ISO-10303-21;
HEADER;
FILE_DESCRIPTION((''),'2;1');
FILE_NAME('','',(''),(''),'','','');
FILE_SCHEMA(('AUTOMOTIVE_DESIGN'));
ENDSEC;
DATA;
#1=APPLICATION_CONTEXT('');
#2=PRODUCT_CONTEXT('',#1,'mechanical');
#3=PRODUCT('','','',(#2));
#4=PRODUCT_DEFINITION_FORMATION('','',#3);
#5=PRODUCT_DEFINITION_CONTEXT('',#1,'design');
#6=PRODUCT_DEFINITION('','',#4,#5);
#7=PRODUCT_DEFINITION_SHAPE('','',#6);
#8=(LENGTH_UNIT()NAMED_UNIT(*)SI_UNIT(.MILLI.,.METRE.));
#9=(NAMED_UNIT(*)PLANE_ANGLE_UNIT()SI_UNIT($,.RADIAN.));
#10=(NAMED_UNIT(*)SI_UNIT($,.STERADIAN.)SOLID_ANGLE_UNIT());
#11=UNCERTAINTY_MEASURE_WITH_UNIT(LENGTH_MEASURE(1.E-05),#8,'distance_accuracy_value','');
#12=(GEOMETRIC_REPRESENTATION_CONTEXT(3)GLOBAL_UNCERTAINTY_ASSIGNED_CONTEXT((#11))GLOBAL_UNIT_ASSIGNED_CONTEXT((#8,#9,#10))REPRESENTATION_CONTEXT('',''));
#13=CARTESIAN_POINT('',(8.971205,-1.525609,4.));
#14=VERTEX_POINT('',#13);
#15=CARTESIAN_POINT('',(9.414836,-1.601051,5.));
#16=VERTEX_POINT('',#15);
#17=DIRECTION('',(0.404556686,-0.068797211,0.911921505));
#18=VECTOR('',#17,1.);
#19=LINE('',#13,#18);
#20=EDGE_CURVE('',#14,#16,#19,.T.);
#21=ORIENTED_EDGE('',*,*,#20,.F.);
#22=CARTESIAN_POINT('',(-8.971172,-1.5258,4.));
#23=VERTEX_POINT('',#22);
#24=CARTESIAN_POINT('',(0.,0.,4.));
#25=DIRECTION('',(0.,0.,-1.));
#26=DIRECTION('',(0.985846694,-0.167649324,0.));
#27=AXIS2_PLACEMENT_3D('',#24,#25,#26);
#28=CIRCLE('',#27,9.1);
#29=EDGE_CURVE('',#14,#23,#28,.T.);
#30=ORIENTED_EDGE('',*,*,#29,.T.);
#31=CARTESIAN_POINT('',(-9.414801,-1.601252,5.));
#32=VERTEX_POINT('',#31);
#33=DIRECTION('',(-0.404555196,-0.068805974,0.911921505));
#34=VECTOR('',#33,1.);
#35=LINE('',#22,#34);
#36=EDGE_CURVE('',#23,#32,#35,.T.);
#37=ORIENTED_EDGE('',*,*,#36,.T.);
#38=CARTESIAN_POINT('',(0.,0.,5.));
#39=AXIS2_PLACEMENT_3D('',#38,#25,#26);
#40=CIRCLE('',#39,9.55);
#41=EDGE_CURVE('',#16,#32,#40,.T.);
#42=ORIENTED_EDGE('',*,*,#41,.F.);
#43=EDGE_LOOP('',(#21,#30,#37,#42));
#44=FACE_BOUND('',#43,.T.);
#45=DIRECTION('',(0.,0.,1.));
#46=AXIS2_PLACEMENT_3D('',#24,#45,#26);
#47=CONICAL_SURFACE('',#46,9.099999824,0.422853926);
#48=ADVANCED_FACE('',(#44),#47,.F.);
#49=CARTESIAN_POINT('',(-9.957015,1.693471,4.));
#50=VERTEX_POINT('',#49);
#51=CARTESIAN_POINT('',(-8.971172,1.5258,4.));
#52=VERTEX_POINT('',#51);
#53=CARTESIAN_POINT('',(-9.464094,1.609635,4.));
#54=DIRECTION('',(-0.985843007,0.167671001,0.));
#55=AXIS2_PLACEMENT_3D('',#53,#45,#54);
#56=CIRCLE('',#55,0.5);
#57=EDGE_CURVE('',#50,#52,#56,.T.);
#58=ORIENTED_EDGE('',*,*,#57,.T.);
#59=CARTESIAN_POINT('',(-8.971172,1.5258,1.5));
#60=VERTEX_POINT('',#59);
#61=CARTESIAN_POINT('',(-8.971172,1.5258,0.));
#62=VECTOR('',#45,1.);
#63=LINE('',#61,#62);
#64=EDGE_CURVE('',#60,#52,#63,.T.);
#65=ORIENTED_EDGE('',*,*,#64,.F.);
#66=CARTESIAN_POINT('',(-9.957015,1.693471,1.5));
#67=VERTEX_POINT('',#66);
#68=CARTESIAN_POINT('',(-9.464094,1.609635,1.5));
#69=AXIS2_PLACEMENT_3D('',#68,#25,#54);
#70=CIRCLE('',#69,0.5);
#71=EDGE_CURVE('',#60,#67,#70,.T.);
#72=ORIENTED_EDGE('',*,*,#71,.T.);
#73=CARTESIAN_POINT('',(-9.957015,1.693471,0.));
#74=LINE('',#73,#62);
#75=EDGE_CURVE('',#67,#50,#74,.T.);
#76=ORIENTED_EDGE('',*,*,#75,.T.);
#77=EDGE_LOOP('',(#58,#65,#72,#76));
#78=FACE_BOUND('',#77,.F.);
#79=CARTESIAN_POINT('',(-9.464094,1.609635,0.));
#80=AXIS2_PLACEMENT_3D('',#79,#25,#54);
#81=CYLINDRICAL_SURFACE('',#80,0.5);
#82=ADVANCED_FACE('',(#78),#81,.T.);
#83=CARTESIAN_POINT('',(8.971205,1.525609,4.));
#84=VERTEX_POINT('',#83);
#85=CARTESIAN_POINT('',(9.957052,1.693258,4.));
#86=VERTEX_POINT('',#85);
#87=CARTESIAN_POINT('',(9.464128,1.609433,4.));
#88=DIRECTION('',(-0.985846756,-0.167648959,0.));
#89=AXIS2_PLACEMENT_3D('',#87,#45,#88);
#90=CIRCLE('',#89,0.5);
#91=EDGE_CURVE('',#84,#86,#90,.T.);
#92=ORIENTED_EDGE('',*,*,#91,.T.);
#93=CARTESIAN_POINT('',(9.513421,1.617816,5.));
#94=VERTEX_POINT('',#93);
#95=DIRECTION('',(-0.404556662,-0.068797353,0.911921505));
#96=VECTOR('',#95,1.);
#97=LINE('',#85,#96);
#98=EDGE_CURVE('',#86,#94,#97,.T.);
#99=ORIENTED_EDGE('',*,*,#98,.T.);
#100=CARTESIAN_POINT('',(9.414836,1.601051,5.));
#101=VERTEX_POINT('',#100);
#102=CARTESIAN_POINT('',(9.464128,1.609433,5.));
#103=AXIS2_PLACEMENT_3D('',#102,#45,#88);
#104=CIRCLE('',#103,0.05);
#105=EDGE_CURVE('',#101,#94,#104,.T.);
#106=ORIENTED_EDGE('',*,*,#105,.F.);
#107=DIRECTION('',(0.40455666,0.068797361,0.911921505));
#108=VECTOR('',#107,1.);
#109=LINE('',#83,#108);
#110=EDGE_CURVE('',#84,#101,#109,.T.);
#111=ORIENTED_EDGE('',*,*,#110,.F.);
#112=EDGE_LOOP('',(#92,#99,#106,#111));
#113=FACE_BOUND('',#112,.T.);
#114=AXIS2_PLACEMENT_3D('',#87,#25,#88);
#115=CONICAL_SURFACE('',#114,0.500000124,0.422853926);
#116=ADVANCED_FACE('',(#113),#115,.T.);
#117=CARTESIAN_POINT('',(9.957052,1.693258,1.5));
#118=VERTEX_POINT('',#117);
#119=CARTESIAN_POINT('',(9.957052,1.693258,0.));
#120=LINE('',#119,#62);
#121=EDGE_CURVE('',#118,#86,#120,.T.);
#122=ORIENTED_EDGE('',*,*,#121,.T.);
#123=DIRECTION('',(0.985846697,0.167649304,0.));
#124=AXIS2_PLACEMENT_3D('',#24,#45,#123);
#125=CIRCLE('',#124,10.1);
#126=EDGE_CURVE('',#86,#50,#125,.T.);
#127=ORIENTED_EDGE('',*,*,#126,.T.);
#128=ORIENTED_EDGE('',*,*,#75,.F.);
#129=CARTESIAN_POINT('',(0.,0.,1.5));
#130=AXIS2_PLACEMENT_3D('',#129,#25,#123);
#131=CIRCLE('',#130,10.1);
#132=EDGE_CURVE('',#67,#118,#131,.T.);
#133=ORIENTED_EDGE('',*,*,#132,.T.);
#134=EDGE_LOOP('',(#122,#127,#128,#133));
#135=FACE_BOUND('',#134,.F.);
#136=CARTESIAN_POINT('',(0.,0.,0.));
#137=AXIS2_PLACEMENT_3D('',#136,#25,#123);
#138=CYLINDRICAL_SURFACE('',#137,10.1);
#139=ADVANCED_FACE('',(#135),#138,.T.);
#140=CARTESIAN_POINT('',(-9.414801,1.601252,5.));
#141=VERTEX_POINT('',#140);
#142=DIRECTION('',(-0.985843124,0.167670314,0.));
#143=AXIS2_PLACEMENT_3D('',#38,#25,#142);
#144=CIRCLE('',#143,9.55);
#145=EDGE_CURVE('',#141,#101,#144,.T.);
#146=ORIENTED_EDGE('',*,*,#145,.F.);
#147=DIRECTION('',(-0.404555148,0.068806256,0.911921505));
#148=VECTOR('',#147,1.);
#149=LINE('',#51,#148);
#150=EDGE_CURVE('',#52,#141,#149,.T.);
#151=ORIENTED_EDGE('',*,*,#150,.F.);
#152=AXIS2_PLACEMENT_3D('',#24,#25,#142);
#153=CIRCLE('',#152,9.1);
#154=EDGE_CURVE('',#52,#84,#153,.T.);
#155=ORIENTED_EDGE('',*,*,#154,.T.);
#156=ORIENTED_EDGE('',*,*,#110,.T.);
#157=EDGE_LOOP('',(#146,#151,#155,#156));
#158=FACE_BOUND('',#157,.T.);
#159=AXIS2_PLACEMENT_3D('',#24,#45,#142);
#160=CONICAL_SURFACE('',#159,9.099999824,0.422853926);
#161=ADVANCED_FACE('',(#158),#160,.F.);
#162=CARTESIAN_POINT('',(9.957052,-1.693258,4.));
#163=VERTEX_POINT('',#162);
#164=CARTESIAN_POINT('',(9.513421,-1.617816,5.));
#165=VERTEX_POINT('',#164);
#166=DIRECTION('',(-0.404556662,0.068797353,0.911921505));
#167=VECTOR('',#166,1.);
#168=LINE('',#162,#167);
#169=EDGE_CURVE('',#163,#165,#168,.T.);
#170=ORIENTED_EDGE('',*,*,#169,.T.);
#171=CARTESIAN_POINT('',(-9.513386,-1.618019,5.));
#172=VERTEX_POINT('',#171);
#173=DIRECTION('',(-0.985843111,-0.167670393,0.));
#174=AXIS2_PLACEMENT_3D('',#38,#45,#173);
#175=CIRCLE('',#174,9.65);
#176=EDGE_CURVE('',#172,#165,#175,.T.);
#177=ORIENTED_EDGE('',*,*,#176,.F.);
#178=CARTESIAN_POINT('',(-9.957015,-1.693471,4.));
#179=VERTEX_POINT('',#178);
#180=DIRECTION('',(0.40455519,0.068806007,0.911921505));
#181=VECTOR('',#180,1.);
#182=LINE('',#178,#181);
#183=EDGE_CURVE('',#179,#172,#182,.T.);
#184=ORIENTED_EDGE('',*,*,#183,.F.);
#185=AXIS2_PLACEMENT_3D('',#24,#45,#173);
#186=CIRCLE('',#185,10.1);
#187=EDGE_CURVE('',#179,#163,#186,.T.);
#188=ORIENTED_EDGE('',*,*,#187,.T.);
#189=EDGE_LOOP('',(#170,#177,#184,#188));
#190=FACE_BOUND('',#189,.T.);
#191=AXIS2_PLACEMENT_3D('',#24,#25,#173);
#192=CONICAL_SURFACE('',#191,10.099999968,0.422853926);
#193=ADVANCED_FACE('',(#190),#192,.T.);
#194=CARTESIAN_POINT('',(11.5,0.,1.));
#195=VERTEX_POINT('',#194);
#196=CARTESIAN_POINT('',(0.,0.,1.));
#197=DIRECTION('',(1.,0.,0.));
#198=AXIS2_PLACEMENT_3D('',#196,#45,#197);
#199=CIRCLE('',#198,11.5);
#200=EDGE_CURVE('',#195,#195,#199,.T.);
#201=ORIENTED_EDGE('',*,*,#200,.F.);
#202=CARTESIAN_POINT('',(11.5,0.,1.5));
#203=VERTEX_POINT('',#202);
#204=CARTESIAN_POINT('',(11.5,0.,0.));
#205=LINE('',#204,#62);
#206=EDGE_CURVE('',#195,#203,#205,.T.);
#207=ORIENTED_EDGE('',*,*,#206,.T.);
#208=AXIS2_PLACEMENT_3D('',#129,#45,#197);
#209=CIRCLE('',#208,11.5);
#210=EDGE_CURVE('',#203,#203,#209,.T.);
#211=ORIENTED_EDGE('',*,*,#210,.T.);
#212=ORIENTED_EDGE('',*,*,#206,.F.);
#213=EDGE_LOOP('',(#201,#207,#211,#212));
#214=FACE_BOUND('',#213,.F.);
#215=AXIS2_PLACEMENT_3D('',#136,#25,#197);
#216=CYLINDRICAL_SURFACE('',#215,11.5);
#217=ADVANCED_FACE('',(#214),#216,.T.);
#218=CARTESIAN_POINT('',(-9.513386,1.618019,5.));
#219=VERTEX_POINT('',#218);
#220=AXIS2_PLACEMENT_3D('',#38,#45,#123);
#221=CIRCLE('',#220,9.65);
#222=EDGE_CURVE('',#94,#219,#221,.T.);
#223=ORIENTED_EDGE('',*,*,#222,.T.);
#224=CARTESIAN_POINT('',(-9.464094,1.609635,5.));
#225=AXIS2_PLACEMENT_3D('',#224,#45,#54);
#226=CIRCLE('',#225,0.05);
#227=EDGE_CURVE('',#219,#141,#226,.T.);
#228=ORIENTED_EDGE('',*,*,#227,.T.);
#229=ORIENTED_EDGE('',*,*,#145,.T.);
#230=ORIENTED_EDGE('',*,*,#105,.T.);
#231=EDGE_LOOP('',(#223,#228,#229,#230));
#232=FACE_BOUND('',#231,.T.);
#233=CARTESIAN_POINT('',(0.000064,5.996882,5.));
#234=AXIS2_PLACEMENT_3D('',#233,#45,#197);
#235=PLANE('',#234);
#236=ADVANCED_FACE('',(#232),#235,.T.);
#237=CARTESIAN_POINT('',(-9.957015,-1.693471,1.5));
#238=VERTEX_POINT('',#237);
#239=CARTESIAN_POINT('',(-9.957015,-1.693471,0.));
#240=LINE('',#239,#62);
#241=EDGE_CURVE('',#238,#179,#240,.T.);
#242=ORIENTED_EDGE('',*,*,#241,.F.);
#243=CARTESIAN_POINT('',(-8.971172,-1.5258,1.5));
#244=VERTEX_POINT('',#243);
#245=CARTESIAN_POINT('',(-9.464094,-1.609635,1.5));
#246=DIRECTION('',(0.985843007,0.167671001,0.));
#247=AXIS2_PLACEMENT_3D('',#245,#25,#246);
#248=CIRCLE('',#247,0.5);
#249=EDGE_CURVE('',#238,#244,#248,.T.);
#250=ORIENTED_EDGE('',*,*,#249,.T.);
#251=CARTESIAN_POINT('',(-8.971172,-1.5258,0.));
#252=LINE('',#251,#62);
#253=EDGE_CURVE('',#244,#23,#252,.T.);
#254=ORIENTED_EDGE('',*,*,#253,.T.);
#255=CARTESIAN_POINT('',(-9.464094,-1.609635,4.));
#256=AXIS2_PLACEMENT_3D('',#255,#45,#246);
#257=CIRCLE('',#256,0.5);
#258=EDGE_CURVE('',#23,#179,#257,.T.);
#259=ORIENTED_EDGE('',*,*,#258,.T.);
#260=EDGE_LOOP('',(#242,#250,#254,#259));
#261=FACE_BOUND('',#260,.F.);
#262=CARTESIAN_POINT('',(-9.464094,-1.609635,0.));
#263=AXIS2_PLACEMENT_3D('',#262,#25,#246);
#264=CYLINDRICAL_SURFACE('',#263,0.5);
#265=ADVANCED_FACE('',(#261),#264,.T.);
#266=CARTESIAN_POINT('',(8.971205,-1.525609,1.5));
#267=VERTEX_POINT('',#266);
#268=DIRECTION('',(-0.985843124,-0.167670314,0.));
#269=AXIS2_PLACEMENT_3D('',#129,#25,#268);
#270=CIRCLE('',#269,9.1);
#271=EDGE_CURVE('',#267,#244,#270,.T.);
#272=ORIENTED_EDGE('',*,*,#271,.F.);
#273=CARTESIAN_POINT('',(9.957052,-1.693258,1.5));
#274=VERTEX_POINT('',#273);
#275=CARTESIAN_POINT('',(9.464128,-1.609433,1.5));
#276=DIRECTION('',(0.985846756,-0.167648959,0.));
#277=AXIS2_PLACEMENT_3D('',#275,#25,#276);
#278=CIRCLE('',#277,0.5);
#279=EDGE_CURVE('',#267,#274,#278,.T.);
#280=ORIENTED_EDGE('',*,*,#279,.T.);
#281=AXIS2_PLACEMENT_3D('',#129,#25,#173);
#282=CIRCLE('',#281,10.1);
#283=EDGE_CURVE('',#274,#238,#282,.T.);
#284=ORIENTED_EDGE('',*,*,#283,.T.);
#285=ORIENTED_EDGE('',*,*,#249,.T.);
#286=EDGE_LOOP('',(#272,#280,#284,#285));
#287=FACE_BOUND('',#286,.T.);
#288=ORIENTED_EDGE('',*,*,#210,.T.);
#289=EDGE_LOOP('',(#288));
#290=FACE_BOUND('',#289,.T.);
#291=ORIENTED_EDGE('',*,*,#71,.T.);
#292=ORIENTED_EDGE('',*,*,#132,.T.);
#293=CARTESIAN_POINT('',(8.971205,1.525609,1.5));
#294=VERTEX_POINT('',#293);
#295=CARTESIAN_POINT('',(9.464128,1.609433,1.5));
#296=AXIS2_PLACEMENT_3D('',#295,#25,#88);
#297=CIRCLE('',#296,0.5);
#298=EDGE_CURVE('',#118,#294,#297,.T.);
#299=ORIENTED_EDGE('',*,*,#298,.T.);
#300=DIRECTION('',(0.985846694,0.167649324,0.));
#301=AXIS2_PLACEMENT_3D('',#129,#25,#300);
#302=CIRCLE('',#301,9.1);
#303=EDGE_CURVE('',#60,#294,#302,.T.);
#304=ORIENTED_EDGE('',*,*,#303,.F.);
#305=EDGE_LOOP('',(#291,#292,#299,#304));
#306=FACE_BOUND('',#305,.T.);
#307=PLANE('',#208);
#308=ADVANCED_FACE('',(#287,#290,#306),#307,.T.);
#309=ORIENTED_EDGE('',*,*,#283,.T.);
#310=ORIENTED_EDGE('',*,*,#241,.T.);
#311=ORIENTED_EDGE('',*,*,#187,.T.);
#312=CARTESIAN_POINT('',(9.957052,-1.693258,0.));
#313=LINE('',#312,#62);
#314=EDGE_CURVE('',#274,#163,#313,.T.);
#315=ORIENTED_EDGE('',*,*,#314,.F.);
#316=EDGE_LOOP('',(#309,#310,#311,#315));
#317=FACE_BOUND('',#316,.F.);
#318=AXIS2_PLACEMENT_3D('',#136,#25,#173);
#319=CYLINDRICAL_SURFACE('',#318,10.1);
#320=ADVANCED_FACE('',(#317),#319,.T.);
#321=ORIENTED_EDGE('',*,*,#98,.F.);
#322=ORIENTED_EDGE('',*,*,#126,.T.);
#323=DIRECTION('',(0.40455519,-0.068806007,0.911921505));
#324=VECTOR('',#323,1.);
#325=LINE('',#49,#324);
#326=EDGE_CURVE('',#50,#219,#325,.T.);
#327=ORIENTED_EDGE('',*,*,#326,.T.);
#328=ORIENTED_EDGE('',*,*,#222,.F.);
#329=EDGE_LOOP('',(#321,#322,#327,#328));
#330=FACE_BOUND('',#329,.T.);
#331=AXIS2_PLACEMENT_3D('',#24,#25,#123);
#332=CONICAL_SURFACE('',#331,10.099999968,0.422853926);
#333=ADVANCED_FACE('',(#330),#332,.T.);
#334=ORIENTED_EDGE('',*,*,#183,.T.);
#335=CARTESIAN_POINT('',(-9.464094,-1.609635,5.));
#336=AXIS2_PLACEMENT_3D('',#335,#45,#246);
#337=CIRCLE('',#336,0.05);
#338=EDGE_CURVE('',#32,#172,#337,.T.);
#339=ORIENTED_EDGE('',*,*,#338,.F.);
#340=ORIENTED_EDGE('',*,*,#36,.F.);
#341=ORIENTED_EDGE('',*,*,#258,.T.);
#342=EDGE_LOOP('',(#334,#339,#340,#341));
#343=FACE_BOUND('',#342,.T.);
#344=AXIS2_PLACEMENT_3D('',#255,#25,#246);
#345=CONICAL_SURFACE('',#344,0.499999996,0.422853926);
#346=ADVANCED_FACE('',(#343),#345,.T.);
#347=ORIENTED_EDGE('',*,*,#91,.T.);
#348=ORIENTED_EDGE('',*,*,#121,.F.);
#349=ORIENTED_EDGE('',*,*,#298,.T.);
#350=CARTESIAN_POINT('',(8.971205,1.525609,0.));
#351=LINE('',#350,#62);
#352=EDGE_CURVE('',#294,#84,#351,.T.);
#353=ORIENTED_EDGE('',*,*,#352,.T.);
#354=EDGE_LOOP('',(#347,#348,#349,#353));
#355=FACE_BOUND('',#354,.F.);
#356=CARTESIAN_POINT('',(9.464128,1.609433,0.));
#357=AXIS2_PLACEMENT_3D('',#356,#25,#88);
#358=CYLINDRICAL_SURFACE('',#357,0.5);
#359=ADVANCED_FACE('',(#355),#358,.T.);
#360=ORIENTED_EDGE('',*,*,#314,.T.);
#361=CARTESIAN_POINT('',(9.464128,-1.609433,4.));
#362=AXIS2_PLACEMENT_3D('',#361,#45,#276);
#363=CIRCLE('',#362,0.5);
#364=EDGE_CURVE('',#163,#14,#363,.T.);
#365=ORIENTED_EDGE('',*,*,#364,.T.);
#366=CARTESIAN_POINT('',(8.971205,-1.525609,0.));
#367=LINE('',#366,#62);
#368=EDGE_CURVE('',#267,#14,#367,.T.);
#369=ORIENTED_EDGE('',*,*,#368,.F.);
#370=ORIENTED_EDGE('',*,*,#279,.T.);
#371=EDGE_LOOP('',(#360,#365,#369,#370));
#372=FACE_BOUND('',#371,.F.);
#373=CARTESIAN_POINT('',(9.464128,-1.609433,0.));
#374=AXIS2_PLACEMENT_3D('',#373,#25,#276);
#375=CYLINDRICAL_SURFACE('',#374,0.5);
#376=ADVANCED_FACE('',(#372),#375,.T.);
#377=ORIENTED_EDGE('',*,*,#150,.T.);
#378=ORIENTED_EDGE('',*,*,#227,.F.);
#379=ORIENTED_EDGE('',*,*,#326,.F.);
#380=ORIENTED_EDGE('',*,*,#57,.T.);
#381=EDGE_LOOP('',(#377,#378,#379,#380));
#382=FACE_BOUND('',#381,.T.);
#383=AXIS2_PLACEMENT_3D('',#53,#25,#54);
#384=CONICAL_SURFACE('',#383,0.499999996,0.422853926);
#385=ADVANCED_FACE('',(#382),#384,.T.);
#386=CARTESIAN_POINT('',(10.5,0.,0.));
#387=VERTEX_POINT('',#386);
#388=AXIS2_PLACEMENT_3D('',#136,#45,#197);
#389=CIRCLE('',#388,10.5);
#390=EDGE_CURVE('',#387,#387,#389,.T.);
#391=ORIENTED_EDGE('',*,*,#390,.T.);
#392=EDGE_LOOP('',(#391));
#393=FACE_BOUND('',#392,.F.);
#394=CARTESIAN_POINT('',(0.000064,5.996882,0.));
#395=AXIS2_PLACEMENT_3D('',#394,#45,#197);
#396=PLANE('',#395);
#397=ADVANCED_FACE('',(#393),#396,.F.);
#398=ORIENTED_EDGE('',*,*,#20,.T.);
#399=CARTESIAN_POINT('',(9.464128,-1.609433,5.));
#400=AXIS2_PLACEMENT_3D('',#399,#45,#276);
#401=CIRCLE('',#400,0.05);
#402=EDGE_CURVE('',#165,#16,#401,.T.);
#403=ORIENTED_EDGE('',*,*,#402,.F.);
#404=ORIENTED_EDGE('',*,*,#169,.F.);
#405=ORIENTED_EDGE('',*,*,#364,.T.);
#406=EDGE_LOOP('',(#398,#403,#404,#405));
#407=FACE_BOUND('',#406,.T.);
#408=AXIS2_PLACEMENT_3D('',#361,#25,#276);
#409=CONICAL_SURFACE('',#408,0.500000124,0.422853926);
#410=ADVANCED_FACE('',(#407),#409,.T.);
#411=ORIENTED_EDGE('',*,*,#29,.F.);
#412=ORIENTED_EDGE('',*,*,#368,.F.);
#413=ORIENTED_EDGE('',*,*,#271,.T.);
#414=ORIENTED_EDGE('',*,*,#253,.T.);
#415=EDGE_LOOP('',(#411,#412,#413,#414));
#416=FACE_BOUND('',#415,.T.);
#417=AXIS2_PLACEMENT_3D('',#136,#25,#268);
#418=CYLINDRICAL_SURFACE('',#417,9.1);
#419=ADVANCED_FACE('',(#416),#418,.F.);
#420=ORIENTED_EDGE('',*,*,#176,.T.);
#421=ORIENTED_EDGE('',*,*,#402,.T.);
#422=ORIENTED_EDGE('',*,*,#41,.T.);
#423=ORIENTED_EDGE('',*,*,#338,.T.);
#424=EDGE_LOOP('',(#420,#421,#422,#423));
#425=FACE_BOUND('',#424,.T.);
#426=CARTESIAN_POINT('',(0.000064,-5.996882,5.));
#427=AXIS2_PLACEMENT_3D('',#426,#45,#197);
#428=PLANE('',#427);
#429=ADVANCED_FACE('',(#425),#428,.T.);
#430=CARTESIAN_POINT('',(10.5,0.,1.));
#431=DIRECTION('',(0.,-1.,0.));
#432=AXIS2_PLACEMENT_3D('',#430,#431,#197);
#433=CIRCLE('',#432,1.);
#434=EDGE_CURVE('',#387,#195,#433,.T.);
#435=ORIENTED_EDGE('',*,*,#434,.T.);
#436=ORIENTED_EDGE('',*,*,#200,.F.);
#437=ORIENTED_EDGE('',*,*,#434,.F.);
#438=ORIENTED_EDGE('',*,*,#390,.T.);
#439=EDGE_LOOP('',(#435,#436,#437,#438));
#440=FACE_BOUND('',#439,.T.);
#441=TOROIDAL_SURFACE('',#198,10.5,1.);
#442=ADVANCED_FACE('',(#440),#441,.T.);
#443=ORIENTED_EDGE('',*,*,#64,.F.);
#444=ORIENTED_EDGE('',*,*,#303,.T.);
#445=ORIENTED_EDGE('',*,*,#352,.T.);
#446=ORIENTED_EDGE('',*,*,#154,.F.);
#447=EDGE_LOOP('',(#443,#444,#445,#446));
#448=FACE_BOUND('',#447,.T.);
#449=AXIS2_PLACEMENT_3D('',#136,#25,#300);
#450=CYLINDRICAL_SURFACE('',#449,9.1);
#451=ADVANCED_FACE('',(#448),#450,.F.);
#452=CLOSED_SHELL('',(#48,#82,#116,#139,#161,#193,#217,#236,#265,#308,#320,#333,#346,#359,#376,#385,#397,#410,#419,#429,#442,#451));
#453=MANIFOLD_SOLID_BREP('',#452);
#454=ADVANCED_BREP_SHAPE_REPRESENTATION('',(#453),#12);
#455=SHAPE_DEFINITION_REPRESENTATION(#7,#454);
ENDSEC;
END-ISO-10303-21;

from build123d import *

# Parameters (mm, degrees)
SKETCH_R        = 11.5
PAD_DEPTH       = 1.5
PAD001_DEPTH    = 5
FILLET_R        = 1
CHAMFER_1_SIZE2 = 0.45
CHAMFER_1_SIZE  = 1
CHAMFER_2_SIZE2 = 0.45
CHAMFER_2_SIZE  = 1


with BuildPart() as part:
    # Sketch → Pad (new body)
    with BuildSketch(Plane.XY):
        Circle(SKETCH_R)
    extrude(amount=PAD_DEPTH)

    # Sketch001 (on XY_Plane of Origin) → Pad001 (join)
    with BuildSketch(Plane.XY):
        with BuildLine():
            ThreePointArc((9.957052, 1.693258), (0.000108, 10.1), (-9.957015, 1.693471))
            ThreePointArc((-9.957015, 1.693471), (-9.547929, 1.116714), (-8.971172, 1.5258))
            ThreePointArc((8.971205, 1.525609), (9.7e-05, 9.1), (-8.971172, 1.5258))
            ThreePointArc((8.971205, 1.525609), (9.547953, 1.11651), (9.957052, 1.693258))
        make_face()
        with BuildLine():
            ThreePointArc((-9.957015, -1.693471), (0.000108, -10.1), (9.957052, -1.693258))
            ThreePointArc((9.957052, -1.693258), (9.547953, -1.11651), (8.971205, -1.525609))
            ThreePointArc((-8.971172, -1.5258), (9.7e-05, -9.1), (8.971205, -1.525609))
            ThreePointArc((-8.971172, -1.5258), (-9.547929, -1.116714), (-9.957015, -1.693471))
        make_face()
    extrude(amount=PAD001_DEPTH)

    # Fillet
    fillet_edges = [part.edges().sort_by_distance(p)[0] for p in [
        (-11.5, 0, 0),
    ]]
    fillet(fillet_edges, radius=FILLET_R)

    # Chamfer 1
    chamfer_1_edges = [part.edges().sort_by_distance(p)[0] for p in [
        (0.000108, 10.1, 5),
    ]]
    chamfer_1_side = part.faces().sort_by_distance((0.000108, 10.1, 3.25))[0]
    chamfer(chamfer_1_edges, length=CHAMFER_1_SIZE, length2=CHAMFER_1_SIZE2, reference=chamfer_1_side)

    # Chamfer 2
    chamfer_2_edges = [part.edges().sort_by_distance(p)[0] for p in [
        (0.000108, -10.1, 5),
    ]]
    chamfer_2_side = part.faces().sort_by_distance((0.000108, -10.1, 3.25))[0]
    chamfer(chamfer_2_edges, length=CHAMFER_2_SIZE, length2=CHAMFER_2_SIZE2, reference=chamfer_2_side)


solid = part.part
